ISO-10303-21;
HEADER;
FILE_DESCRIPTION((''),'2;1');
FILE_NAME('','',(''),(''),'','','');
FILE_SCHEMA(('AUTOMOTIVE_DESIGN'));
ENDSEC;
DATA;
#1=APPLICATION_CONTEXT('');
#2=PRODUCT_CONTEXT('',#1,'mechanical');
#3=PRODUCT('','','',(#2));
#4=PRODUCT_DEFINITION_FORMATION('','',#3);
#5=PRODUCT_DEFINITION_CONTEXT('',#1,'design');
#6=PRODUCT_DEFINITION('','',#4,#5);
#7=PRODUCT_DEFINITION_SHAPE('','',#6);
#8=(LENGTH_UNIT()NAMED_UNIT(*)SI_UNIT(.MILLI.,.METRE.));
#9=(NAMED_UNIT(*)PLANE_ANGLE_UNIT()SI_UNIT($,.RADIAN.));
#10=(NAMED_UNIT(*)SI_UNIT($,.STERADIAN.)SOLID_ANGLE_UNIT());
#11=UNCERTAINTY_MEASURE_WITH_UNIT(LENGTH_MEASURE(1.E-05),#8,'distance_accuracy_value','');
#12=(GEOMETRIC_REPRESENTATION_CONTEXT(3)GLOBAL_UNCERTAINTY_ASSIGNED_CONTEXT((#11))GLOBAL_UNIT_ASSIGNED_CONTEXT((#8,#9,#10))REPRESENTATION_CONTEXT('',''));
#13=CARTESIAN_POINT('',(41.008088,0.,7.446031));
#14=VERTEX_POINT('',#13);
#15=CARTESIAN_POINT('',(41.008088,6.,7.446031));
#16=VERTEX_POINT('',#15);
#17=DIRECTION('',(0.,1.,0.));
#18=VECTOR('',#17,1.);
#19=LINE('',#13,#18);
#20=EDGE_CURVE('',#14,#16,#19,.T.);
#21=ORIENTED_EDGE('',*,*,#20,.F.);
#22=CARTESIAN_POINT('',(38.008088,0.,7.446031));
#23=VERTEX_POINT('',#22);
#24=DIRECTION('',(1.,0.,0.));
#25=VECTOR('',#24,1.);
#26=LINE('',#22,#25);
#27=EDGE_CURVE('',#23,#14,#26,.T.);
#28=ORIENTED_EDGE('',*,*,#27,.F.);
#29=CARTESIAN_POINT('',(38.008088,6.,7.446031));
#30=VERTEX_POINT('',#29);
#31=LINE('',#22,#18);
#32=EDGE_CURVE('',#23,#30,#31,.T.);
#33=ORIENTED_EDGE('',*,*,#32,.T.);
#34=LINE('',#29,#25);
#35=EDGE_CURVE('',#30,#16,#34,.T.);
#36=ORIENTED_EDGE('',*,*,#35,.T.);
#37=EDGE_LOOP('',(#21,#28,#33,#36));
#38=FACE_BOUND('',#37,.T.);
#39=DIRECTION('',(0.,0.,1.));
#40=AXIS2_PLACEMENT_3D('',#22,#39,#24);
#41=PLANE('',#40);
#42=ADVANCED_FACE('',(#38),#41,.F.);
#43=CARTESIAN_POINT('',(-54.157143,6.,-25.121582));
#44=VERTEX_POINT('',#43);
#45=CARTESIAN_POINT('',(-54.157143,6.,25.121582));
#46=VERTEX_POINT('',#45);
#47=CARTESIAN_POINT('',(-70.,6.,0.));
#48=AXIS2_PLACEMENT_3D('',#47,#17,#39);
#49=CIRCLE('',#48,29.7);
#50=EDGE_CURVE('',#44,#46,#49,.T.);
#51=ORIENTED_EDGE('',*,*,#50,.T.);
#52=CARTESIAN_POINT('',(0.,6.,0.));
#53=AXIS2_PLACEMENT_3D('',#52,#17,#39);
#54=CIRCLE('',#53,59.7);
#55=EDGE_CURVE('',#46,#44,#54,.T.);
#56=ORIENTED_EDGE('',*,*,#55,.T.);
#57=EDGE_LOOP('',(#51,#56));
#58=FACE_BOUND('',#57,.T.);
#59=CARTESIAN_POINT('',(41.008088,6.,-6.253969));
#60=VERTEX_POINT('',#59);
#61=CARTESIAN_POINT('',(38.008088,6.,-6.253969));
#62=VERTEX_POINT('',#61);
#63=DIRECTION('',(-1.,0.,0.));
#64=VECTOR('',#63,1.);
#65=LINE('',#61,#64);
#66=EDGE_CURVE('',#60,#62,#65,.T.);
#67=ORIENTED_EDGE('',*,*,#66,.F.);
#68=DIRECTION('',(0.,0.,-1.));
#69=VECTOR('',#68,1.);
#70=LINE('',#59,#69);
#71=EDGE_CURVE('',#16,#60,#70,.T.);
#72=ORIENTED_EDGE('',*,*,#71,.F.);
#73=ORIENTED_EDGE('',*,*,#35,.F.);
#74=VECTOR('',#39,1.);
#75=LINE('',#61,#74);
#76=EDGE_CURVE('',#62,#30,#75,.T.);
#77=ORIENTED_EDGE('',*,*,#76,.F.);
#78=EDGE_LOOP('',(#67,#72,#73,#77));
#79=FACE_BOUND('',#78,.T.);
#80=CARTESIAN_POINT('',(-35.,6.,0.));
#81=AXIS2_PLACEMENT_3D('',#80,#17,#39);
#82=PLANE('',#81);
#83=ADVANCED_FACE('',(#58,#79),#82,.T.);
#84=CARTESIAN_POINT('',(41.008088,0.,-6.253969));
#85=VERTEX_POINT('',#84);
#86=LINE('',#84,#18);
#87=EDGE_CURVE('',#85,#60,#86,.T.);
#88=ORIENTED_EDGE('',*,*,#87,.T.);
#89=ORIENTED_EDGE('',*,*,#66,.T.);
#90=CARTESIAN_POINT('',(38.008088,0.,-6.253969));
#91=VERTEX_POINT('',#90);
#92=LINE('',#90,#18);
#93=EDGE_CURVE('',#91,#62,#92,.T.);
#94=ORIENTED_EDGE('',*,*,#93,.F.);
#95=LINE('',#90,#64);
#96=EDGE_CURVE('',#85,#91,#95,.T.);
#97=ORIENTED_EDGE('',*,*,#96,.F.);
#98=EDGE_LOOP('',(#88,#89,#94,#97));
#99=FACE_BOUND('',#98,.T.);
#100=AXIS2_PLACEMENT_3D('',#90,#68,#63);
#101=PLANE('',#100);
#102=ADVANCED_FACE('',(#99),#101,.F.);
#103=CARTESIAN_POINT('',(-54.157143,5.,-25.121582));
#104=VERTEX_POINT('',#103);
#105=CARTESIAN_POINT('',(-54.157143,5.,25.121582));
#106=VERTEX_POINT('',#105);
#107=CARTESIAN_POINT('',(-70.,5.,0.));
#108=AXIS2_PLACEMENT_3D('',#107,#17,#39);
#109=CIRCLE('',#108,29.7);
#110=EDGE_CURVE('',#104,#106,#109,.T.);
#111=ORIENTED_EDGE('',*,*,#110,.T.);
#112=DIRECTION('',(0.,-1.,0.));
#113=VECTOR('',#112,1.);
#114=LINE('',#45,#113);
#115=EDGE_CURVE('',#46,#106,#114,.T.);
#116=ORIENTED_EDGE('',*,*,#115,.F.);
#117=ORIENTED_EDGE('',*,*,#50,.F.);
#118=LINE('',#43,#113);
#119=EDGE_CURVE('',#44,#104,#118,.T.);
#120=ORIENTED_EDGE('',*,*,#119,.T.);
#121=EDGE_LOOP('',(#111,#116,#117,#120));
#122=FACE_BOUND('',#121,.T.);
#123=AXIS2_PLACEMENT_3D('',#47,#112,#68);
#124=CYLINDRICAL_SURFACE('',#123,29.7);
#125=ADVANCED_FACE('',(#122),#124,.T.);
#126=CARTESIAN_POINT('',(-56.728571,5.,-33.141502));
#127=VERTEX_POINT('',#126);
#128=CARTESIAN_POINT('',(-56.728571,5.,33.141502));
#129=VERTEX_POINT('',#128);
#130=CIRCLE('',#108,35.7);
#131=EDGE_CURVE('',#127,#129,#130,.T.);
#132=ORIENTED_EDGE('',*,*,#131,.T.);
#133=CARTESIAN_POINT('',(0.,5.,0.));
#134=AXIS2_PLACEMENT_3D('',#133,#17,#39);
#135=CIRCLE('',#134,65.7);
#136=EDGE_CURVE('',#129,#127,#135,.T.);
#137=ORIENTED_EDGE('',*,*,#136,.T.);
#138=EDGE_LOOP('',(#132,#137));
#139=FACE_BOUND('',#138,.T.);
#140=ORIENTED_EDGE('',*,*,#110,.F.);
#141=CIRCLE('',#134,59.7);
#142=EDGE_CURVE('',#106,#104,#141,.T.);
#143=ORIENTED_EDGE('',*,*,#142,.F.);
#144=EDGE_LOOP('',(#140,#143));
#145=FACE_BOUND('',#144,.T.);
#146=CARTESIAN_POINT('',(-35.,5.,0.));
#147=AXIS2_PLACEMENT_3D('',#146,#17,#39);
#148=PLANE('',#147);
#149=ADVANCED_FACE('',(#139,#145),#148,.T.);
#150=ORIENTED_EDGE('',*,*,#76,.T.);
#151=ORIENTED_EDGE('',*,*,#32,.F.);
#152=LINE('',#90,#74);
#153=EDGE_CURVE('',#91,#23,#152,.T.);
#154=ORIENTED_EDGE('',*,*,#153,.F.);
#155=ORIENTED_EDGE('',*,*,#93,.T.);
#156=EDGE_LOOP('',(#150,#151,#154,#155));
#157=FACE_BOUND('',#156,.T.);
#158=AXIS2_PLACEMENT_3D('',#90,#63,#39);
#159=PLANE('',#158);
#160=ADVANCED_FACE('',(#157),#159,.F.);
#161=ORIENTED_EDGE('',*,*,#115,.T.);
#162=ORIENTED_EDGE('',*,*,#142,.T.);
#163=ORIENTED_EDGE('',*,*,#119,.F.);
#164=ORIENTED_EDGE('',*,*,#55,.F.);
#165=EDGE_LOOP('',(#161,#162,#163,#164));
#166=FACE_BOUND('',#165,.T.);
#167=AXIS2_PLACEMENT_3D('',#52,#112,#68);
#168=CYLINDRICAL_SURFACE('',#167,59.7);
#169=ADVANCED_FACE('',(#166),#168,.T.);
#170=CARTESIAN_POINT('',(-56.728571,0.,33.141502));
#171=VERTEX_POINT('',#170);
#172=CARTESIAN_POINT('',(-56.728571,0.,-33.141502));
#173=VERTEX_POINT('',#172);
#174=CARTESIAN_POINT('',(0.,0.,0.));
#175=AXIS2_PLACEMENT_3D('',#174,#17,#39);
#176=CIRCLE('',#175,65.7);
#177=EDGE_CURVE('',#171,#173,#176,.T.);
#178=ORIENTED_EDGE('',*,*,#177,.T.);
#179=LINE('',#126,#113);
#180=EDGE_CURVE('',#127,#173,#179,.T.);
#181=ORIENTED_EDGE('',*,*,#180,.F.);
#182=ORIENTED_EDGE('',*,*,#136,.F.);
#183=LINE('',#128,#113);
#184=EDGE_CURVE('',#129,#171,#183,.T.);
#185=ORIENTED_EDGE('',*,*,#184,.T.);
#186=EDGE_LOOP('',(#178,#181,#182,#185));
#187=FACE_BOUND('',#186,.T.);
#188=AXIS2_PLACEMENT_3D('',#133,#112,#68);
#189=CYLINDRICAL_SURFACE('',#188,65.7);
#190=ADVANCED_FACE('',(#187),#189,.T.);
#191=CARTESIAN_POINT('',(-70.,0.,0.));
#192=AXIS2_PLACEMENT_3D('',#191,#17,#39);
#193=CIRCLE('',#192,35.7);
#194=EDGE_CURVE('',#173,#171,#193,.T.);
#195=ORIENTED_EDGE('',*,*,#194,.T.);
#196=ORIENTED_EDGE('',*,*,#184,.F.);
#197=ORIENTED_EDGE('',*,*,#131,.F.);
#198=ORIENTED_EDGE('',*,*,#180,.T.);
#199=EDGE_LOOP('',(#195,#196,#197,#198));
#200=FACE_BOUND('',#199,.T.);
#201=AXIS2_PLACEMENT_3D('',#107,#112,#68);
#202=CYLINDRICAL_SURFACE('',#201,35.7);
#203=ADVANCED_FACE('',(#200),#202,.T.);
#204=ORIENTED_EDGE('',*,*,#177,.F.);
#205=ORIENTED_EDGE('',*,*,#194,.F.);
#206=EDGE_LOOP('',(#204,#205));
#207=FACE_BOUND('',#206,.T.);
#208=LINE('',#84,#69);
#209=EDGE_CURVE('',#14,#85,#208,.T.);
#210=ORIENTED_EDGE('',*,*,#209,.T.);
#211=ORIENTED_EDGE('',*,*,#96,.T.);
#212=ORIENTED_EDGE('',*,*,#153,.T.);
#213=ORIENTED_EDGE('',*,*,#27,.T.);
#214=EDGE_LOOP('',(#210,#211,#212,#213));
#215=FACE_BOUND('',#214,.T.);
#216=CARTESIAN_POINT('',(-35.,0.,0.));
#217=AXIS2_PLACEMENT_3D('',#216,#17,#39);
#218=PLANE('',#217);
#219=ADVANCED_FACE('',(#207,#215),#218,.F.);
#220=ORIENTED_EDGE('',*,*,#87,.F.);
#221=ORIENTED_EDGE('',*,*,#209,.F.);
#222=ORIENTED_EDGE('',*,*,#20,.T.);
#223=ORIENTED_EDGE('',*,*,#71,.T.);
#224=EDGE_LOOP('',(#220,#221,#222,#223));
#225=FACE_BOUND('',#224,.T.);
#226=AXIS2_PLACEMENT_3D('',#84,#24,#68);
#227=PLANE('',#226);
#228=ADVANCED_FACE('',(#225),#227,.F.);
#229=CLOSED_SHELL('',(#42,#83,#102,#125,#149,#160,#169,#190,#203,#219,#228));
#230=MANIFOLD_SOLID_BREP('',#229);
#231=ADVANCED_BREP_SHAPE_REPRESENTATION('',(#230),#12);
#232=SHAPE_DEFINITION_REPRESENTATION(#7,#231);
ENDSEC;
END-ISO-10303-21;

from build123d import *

# Parameters (mm, degrees)
BOSS_EXTRUDE1_DEPTH = 6
BOSS_EXTRUDE2_DEPTH = 5
SKETCH2_W           = 3
SKETCH2_H           = 13.7
CUT_EXTRUDE1_DEPTH  = 7


with BuildPart() as part:
    # Sketch1 → Boss-Extrude1 (new body)
    with BuildSketch(Plane(origin=(0, 0, 0), x_dir=(1, 0, 0), z_dir=(0, 1, 0))):
        with BuildLine():
            ThreePointArc((-54.157142857, -25.121581908), (59.7, 0), (-54.157142857, 25.121581908))
            ThreePointArc((-54.157142857, 25.121581908), (-99.7, 0), (-54.157142857, -25.121581908))
        make_face()
    extrude(amount=BOSS_EXTRUDE1_DEPTH)

    # Sketch1<3> → Boss-Extrude2 (add)
    with BuildSketch(Plane(origin=(0, 0, 0), x_dir=(1, 0, 0), z_dir=(0, 1, 0))):
        with BuildLine():
            ThreePointArc((-56.728571429, -33.141502435), (65.7, 0), (-56.728571429, 33.141502435))
            ThreePointArc((-56.728571429, 33.141502435), (-105.7, 0), (-56.728571429, -33.141502435))
        make_face()
        with BuildLine():
            ThreePointArc((-54.157142857, -25.121581908), (59.7, 0), (-54.157142857, 25.121581908))
            ThreePointArc((-54.157142857, 25.121581908), (-99.7, 0), (-54.157142857, -25.121581908))
        make_face(mode=Mode.SUBTRACT)
    extrude(amount=BOSS_EXTRUDE2_DEPTH)

    # Sketch2 → Cut-Extrude1 (cut, through all)
    with BuildSketch(Plane(origin=(0, 6, 0), x_dir=(1, 0, 0), z_dir=(0, 1, 0))):
        with Locations((39.508087625, -0.596031436)):
            Rectangle(SKETCH2_W, SKETCH2_H)
    extrude(amount=-CUT_EXTRUDE1_DEPTH, mode=Mode.SUBTRACT)


solid = part.part
